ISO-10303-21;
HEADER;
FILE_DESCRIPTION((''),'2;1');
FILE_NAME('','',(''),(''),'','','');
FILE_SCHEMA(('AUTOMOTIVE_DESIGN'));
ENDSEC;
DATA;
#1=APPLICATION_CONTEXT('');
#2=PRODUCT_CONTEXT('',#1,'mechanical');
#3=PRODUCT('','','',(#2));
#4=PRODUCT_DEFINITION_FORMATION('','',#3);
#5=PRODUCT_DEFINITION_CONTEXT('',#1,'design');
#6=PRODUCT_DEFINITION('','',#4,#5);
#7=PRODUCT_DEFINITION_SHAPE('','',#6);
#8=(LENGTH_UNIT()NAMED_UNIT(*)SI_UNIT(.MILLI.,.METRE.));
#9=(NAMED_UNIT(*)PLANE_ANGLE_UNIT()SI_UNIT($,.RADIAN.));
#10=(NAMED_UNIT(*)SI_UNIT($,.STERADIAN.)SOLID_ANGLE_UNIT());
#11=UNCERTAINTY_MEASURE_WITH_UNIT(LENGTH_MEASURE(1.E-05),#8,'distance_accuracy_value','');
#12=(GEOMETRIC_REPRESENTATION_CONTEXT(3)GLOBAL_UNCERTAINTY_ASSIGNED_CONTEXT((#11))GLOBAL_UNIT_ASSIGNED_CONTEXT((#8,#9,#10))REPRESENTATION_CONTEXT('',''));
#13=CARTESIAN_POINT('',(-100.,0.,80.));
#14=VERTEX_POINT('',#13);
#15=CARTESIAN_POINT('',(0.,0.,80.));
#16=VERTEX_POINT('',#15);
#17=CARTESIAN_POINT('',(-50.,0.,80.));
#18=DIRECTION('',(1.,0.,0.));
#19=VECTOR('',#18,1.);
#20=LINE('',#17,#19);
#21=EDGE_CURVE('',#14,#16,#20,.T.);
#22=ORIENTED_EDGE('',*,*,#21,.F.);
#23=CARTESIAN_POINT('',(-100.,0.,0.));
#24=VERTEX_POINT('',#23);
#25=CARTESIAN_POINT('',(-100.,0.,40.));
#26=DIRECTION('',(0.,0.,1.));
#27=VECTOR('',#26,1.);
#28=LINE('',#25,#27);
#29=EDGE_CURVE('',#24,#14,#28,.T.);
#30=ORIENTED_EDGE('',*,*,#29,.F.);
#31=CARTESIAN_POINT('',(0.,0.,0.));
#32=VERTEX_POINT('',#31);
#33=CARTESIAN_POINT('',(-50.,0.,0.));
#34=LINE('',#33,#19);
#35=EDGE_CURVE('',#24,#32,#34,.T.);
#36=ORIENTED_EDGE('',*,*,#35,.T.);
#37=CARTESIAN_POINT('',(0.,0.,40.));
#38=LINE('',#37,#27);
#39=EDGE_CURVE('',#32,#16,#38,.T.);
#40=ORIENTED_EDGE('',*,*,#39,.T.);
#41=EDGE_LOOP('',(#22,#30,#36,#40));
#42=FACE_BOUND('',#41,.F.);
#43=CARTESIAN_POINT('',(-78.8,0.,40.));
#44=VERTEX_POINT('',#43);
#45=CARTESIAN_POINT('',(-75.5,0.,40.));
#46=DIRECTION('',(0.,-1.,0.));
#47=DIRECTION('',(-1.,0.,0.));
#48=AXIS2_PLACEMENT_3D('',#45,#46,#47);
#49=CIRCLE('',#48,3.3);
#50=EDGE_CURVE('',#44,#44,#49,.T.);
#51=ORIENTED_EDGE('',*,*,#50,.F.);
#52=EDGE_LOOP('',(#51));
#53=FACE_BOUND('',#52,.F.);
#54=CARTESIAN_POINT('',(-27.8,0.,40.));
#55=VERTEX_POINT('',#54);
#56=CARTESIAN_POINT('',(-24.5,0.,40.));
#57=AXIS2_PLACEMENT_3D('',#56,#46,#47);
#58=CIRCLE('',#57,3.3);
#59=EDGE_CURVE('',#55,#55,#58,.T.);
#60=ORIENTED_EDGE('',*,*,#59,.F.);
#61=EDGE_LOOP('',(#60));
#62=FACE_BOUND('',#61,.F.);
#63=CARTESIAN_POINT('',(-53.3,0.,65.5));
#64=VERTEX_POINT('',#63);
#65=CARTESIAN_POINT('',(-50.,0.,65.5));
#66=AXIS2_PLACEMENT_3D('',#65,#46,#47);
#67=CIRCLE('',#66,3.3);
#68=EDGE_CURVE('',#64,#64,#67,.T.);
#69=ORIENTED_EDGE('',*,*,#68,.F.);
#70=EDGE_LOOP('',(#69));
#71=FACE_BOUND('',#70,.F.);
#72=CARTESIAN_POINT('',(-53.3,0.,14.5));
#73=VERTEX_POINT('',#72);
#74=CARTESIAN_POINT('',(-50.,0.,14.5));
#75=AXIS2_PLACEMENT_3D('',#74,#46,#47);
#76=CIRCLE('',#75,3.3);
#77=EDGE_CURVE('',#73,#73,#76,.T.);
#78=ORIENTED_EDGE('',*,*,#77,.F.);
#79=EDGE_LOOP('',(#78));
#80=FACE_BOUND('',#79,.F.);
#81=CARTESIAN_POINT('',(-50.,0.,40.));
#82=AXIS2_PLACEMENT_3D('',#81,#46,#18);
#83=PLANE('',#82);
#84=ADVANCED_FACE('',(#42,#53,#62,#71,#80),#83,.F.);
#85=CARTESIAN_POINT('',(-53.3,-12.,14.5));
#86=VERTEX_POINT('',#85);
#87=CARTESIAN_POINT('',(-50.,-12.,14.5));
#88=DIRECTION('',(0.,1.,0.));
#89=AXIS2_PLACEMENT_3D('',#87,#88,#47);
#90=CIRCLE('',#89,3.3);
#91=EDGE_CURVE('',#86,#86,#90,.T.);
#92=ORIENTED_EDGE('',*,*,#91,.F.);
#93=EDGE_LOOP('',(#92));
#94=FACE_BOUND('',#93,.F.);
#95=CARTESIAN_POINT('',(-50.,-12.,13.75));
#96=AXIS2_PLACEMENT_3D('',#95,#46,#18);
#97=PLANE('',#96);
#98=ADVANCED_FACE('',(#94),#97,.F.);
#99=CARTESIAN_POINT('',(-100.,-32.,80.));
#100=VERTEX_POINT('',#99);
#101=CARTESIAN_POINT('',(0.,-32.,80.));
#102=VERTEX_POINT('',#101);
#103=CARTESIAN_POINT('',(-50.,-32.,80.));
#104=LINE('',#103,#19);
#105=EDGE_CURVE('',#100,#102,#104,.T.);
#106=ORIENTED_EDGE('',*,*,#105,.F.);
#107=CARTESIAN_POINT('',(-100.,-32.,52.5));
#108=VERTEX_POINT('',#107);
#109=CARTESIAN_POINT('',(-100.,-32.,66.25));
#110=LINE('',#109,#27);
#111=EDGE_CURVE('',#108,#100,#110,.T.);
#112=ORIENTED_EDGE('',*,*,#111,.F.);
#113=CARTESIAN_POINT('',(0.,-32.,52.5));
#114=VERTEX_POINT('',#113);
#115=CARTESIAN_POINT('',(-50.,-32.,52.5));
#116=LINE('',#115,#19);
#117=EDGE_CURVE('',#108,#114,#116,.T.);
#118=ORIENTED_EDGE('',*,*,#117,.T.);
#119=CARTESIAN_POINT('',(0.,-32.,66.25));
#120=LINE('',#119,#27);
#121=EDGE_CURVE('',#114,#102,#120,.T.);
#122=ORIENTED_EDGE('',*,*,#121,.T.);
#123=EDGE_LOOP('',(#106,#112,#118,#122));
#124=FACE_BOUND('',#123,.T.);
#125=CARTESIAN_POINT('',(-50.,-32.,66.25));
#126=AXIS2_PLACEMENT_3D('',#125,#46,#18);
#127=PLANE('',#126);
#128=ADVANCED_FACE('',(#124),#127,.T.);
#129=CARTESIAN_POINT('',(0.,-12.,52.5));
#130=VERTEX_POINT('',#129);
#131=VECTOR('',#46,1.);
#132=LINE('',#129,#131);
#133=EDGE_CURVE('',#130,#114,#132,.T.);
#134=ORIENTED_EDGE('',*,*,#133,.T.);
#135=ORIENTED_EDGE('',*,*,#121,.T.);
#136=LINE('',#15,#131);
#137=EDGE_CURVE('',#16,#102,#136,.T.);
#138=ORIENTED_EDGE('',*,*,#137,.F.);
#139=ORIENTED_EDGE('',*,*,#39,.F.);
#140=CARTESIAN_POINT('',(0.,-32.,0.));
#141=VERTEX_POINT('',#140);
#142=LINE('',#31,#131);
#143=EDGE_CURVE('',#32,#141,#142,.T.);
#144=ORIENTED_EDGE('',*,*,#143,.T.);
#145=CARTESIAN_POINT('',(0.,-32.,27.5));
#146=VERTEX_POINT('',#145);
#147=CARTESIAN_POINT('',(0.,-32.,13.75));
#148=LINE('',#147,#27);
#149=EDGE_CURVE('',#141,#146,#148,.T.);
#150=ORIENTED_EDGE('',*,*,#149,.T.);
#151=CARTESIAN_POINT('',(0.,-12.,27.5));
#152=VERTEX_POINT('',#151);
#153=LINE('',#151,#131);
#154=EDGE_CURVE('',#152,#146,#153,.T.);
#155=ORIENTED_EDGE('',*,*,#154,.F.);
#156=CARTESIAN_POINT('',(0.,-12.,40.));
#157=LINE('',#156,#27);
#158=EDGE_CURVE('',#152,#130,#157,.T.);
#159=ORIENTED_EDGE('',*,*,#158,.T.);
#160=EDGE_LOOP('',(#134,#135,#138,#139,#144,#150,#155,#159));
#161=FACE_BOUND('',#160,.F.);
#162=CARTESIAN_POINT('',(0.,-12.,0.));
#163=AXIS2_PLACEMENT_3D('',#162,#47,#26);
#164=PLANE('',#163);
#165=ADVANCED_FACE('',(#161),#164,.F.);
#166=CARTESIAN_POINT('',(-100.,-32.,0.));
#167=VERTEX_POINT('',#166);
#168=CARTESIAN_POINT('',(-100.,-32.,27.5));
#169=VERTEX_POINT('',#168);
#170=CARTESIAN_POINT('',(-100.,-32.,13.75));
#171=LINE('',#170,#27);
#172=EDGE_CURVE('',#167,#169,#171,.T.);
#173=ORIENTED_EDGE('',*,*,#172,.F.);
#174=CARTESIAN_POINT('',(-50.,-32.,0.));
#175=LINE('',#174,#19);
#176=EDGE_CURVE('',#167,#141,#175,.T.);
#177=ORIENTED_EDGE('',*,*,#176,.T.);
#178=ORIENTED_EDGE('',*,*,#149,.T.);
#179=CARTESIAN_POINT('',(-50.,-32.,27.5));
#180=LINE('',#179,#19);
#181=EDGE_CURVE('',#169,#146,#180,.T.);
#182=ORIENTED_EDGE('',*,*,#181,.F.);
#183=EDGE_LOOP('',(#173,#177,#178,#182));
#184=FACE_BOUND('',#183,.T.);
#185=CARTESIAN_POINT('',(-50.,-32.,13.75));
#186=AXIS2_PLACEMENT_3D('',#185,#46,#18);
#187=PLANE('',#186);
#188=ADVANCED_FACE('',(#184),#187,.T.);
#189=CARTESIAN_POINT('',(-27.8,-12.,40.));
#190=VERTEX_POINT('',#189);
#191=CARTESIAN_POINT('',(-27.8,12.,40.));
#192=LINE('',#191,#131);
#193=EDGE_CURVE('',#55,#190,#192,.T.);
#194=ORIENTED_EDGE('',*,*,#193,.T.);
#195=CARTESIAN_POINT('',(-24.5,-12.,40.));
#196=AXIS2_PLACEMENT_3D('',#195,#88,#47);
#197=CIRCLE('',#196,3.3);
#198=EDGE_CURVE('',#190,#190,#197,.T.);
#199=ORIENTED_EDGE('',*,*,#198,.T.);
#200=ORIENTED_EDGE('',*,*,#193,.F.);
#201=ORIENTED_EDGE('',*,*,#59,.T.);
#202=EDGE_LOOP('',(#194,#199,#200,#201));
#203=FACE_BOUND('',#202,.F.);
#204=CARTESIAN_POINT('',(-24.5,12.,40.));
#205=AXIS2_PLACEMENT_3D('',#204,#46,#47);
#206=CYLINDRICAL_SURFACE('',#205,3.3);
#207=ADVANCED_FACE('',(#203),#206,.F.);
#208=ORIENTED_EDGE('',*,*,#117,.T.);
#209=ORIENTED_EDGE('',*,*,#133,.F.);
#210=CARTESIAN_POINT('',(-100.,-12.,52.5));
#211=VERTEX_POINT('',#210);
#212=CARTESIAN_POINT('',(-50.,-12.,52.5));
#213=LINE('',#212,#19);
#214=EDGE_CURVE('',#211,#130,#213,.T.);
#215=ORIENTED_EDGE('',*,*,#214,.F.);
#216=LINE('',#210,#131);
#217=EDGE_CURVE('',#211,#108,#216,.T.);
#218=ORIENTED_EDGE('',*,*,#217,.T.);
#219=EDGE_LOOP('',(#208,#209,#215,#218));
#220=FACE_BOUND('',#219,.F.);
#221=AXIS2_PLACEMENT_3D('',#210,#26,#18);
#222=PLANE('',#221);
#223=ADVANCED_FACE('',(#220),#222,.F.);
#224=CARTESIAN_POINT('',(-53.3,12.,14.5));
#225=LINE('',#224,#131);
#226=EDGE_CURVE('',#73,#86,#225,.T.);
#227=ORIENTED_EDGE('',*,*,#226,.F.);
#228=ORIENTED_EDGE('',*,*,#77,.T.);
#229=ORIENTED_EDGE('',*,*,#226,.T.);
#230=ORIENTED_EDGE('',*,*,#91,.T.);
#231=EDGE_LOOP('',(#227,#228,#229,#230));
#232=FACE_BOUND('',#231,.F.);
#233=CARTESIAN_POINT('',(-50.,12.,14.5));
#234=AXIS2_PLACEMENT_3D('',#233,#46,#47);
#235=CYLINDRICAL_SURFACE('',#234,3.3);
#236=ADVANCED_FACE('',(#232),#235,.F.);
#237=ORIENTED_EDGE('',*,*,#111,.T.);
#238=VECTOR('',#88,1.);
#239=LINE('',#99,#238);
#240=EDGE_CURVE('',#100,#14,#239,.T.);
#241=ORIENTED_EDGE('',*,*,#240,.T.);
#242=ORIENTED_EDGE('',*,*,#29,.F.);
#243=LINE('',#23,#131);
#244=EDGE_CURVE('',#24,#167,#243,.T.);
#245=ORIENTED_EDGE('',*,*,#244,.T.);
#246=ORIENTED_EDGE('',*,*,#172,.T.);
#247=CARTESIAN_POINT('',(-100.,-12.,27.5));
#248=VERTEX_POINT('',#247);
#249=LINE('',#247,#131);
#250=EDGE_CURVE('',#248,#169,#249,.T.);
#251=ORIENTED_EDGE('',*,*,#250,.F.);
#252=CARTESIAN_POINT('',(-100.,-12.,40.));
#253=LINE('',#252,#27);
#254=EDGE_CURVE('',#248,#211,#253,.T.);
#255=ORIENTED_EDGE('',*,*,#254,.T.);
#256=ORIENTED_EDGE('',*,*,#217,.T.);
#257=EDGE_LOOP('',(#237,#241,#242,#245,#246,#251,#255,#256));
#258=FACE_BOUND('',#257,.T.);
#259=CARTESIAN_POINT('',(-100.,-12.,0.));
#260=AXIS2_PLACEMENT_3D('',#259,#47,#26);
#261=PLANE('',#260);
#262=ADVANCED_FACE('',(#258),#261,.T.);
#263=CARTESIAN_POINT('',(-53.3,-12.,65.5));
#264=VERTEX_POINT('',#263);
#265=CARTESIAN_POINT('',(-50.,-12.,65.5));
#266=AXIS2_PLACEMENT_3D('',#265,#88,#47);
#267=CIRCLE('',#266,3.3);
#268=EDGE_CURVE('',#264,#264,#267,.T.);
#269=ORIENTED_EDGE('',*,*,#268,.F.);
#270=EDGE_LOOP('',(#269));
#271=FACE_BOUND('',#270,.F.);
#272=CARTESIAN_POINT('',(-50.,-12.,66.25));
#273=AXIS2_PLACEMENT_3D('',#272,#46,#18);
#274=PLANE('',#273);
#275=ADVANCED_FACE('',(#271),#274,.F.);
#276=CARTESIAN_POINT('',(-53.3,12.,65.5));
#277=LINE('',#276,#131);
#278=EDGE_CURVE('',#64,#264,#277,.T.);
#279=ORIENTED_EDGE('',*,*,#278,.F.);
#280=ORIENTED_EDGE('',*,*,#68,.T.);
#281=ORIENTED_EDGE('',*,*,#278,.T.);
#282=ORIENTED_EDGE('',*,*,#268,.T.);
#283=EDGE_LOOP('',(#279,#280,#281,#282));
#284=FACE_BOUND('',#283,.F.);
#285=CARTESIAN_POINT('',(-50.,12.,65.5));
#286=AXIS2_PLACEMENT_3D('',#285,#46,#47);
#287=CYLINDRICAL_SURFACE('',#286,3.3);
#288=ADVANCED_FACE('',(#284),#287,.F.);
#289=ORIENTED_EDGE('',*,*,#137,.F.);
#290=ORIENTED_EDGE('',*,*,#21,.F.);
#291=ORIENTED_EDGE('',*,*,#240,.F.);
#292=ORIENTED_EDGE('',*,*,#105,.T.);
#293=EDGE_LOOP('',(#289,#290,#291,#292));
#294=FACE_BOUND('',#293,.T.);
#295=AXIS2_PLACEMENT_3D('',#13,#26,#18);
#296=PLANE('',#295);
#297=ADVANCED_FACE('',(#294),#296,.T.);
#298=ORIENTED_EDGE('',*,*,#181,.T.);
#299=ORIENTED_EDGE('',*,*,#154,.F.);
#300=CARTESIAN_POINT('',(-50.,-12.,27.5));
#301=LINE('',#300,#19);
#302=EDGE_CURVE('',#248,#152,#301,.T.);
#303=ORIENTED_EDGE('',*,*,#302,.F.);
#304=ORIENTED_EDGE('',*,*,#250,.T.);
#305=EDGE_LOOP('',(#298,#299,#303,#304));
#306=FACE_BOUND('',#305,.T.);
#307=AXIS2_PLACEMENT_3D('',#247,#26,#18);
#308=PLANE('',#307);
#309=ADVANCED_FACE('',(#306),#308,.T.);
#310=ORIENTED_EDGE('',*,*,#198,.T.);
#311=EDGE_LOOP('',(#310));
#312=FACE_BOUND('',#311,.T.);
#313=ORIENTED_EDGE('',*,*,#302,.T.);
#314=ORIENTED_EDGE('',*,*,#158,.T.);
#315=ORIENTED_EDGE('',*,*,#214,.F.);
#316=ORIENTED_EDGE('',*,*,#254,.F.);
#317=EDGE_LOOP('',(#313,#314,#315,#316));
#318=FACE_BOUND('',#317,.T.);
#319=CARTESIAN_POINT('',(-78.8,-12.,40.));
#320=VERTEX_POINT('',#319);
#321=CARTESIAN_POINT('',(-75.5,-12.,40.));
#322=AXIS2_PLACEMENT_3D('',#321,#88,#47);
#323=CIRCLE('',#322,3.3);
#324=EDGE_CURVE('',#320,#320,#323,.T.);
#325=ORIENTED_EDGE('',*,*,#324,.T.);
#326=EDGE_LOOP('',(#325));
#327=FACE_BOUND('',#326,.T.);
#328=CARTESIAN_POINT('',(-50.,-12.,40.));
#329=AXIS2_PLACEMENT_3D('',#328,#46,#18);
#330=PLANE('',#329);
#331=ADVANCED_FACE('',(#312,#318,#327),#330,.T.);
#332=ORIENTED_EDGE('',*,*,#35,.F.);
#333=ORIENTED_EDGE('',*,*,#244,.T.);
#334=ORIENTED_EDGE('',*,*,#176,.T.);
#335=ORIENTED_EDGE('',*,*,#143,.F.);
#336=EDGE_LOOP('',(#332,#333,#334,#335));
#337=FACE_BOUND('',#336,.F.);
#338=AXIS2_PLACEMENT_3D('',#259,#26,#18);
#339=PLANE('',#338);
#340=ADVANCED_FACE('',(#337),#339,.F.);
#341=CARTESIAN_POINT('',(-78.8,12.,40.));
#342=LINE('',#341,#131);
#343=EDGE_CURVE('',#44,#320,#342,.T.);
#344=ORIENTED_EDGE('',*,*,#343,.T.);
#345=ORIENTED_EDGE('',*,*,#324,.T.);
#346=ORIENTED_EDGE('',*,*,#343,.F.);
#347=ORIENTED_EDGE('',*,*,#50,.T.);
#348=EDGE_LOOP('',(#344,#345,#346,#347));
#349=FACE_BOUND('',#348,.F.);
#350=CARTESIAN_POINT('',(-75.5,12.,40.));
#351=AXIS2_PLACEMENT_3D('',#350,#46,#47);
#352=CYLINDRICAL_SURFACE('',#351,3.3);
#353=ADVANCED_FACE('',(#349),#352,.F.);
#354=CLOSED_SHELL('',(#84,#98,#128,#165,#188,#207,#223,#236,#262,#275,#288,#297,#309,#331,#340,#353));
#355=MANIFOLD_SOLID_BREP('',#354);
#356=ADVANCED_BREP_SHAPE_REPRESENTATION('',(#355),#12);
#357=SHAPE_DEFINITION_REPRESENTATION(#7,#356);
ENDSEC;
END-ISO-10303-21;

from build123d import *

# Parameters (mm, degrees)
F0_W     = 100
F0_H     = 80
F1_DEPTH = 12
F2_D     = 6.6
F2_DEPTH = 12
F2_TIP   = 1.9828400428
F3_W     = 100
F3_H     = 27.5
F4_DEPTH = 20


with BuildPart() as f1:
    # F0 (on Front) → F1 (new body)
    with BuildSketch(Plane.XZ):
        with Locations((-50, 40)):
            Rectangle(F0_W, F0_H)
    extrude(amount=F1_DEPTH)

    # F2
    with Locations(Plane(origin=(0, 0, 0), x_dir=(1, 0, 0), z_dir=(0, 1, 0))):
        with Locations((-75.5, -40), (-50, -14.5), (-50, -65.5), (-24.5, -40)):
            Hole(F2_D / 2, depth=F2_DEPTH)
            with Locations((0, 0, -(F2_DEPTH + F2_TIP / 2))):  # 118° drill point
                Cone(0, F2_D / 2, F2_TIP, mode=Mode.SUBTRACT)

    # F3 (on face) → F4 (join)
    with BuildSketch(Plane.XZ.offset(12)):
        with Locations((-50, 13.75)):
            Rectangle(F3_W, F3_H)
        with Locations((-50, 66.25)):
            Rectangle(F3_W, F3_H)
    extrude(amount=F4_DEPTH)


solid = f1.part
